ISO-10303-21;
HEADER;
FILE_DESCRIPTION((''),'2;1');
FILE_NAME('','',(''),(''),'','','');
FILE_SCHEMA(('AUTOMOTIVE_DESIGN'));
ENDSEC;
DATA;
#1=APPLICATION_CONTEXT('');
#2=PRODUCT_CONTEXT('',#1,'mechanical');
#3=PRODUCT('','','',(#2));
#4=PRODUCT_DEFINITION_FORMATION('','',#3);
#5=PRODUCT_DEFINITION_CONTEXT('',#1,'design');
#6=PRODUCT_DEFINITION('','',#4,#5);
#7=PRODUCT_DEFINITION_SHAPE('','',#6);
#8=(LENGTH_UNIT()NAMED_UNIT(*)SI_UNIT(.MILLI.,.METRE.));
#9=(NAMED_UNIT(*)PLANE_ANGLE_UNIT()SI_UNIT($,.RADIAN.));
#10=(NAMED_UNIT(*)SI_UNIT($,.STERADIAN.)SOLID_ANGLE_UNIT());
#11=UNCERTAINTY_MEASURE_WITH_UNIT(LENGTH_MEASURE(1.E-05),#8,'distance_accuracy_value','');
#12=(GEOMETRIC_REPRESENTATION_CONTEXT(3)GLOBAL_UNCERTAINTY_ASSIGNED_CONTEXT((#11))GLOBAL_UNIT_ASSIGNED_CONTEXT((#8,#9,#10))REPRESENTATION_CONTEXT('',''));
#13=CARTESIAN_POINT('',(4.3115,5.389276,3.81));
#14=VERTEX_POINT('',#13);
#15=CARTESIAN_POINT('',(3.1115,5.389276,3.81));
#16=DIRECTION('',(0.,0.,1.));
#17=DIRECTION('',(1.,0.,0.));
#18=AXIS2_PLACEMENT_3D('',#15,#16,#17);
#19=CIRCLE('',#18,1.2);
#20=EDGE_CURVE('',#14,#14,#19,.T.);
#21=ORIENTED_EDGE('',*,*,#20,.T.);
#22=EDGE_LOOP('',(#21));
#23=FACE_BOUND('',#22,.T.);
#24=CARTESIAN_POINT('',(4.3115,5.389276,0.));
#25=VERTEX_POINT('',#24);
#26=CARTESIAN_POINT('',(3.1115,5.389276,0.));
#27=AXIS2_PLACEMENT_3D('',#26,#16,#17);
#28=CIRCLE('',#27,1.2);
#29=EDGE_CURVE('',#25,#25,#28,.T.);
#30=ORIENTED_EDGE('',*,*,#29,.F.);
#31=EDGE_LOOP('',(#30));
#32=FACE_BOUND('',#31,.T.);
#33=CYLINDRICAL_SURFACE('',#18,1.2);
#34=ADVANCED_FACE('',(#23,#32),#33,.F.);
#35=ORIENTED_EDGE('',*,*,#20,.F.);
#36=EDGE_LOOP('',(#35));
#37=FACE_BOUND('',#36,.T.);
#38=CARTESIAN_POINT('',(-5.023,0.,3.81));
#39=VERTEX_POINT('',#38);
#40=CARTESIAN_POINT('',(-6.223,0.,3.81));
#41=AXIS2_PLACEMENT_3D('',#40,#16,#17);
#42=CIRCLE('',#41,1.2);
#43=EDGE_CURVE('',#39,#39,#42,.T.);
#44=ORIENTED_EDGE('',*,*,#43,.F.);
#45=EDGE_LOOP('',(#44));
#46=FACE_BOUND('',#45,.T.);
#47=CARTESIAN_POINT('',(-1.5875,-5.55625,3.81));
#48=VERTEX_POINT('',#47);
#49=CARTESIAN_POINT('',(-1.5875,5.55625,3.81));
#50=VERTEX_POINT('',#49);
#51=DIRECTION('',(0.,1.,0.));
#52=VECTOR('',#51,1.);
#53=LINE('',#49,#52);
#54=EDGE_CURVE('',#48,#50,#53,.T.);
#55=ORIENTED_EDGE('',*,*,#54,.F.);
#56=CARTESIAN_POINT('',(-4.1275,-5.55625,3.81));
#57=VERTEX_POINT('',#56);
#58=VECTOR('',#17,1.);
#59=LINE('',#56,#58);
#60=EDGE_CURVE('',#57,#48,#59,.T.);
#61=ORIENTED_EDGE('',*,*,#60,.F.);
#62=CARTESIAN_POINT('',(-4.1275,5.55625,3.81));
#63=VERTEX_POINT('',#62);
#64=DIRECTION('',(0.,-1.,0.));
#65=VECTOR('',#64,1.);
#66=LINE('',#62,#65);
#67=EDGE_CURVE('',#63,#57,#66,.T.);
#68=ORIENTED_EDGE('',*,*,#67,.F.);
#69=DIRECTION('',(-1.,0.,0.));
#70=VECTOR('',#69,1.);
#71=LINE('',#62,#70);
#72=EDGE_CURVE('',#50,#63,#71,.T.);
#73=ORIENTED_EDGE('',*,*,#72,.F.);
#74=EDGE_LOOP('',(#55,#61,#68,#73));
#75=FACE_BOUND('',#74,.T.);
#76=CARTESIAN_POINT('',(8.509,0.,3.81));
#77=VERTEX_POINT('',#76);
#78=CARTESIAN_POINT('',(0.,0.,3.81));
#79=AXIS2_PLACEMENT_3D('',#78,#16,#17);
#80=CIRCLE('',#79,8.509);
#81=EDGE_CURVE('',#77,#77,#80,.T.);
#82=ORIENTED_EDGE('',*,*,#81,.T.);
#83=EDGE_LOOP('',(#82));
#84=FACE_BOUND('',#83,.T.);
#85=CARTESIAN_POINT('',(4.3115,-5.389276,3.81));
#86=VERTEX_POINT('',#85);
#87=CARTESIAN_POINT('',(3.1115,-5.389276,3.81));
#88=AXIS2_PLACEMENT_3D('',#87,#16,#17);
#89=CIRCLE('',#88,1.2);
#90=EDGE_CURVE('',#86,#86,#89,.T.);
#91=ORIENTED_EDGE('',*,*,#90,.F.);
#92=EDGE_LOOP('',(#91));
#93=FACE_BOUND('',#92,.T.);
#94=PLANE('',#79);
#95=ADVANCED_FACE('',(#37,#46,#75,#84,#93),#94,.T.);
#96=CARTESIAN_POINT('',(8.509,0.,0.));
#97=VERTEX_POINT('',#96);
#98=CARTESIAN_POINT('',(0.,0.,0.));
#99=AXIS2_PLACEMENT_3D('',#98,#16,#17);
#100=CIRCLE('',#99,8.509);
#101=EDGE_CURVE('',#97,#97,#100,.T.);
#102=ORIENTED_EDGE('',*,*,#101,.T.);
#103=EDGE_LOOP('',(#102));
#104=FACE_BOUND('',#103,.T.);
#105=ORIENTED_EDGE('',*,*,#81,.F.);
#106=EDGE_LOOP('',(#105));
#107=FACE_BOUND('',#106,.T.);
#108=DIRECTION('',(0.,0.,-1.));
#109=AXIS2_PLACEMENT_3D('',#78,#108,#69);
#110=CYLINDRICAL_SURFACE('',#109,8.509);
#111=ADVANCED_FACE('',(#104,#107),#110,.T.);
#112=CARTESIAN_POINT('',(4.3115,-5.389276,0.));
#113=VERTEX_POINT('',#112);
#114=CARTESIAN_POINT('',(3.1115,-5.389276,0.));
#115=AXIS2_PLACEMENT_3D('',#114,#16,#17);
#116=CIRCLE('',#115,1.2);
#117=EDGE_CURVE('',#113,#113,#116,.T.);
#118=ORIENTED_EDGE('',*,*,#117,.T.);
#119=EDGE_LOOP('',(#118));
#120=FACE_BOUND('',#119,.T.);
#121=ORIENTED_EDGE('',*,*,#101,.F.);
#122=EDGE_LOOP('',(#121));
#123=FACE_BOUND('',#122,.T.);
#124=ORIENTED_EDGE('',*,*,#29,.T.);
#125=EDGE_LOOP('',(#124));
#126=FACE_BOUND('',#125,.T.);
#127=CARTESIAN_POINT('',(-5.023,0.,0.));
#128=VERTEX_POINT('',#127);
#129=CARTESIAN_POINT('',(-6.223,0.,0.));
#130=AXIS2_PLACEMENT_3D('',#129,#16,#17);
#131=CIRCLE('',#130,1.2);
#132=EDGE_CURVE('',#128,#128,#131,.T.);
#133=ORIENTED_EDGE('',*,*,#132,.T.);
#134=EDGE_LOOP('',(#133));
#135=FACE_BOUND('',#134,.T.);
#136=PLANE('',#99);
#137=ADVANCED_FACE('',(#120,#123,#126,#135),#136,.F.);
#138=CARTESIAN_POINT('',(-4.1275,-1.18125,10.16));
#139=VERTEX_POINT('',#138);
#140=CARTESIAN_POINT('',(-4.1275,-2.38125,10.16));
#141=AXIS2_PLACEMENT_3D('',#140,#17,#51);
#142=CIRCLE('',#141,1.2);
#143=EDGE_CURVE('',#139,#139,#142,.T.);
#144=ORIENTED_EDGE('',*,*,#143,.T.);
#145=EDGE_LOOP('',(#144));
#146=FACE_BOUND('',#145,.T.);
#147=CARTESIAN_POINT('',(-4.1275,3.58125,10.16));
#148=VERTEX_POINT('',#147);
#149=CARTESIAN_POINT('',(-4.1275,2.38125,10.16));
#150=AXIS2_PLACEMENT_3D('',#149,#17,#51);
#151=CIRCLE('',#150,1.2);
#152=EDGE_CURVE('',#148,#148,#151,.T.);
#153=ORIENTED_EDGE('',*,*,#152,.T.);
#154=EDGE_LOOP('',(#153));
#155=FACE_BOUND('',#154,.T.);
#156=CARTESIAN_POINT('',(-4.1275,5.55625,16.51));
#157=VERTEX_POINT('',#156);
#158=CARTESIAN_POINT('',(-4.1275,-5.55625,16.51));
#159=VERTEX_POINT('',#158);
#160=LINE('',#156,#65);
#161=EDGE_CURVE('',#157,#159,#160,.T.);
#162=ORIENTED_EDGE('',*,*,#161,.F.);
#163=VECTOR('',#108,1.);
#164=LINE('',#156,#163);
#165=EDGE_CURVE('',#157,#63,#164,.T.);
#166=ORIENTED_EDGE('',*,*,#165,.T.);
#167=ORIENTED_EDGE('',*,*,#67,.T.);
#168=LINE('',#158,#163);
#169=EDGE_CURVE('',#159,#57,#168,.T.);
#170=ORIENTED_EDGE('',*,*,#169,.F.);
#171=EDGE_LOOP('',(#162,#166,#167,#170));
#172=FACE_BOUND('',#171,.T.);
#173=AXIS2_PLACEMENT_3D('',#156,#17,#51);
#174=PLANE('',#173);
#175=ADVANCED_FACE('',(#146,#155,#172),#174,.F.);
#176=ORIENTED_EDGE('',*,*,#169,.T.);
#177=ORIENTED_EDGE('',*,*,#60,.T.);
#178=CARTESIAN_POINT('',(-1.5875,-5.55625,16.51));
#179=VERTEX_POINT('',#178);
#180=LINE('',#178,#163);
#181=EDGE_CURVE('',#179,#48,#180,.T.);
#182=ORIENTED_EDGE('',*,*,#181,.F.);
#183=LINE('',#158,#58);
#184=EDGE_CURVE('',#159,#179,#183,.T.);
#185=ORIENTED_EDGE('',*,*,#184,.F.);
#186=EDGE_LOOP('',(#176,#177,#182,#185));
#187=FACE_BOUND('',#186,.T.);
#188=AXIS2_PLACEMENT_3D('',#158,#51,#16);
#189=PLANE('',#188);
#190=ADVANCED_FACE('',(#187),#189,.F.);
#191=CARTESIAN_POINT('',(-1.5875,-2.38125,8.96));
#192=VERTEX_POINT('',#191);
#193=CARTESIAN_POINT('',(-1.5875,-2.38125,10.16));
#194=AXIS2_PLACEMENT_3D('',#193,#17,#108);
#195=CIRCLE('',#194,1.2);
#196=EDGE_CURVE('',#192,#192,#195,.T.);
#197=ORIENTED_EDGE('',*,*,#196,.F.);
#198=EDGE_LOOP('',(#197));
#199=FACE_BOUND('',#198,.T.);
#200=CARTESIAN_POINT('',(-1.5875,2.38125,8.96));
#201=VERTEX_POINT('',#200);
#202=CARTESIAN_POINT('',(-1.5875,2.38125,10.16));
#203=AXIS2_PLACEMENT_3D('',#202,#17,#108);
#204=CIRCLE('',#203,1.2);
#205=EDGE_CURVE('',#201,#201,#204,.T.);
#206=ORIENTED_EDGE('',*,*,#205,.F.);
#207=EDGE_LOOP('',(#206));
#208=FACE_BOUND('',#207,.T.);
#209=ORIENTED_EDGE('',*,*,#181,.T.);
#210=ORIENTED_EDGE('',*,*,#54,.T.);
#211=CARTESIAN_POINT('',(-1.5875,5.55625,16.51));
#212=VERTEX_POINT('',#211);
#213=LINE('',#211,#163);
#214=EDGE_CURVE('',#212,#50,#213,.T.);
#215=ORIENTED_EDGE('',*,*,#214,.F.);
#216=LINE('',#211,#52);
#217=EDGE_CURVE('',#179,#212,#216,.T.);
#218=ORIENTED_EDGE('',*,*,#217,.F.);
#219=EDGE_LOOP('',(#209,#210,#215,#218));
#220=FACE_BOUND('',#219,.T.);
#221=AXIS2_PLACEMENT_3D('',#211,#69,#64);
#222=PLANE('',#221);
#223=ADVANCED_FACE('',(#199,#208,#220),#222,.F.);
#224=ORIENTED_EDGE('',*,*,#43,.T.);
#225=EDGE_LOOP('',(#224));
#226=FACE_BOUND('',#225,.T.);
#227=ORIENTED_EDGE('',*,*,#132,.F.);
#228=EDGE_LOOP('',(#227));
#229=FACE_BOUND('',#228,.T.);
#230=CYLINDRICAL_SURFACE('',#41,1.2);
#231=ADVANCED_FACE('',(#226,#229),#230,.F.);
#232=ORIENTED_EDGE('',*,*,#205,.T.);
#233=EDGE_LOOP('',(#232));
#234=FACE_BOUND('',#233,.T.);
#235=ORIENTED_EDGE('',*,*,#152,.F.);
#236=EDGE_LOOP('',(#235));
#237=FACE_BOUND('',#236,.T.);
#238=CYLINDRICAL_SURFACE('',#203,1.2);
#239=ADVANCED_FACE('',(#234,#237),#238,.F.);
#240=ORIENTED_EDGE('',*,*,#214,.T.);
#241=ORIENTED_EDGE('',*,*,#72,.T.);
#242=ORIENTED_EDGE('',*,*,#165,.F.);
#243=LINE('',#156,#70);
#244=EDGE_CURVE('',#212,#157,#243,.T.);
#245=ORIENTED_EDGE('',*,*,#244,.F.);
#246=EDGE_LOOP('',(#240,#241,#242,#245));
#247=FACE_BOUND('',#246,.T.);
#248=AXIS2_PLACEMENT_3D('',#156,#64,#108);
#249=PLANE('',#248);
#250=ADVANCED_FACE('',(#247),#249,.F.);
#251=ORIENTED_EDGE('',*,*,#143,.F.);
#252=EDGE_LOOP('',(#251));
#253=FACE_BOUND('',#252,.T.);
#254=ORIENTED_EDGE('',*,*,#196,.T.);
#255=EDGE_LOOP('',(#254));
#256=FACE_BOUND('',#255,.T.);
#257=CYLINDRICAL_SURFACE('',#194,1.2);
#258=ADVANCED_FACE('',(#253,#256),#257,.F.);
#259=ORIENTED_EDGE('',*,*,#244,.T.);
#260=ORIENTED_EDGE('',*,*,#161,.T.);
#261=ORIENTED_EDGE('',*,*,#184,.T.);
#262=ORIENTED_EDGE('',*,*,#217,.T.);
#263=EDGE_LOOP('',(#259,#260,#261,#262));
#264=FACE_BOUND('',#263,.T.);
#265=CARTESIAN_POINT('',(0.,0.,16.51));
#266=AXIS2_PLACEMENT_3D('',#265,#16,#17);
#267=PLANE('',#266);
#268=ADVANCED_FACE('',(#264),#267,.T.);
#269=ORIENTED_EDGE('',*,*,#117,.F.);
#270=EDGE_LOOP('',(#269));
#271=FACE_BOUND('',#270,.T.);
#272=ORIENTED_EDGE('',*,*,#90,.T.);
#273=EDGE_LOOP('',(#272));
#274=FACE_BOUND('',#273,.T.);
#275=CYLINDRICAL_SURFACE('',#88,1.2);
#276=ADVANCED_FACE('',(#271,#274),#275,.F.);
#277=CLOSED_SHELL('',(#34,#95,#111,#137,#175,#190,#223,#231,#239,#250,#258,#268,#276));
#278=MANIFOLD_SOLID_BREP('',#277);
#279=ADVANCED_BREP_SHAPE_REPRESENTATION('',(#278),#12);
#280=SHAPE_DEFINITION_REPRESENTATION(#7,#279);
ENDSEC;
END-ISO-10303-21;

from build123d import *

# Parameters (mm, degrees)
SKETCH2_R            = 8.509
BOSS_EXTRUDE1_DEPTH  = 3.81
SKETCH4_W            = 2.54
SKETCH4_H            = 11.1125
BOSS_EXTRUDE2_DEPTH  = 12.7
M2_CLEARANCE_HOLE1_D = 2.4
M2_CLEARANCE_HOLE2_D = 2.4


with BuildPart() as part:
    # Sketch2 → Boss-Extrude1 (new body)
    with BuildSketch(Plane.XY):
        Circle(SKETCH2_R)
    extrude(amount=BOSS_EXTRUDE1_DEPTH)

    # Sketch4 → Boss-Extrude2 (add)
    with BuildSketch(Plane.XY.offset(3.81)):
        with Locations((-2.8575, 0)):
            Rectangle(SKETCH4_W, SKETCH4_H)
    extrude(amount=BOSS_EXTRUDE2_DEPTH)

    # M2 Clearance Hole1 (through all)
    with Locations(Plane.XY.offset(3.81)):
        with Locations((-6.223, 0), (3.1115, 5.389276088), (3.1115, -5.389276088)):
            Hole(M2_CLEARANCE_HOLE1_D / 2)

    # M2 Clearance Hole2 (through all)
    with Locations(Plane(origin=(-1.5875, 0, 0), x_dir=(0, 0, -1), z_dir=(1, 0, 0))):
        with Locations((-10.16, -2.38125), (-10.16, 2.38125)):
            Hole(M2_CLEARANCE_HOLE2_D / 2)


solid = part.part
